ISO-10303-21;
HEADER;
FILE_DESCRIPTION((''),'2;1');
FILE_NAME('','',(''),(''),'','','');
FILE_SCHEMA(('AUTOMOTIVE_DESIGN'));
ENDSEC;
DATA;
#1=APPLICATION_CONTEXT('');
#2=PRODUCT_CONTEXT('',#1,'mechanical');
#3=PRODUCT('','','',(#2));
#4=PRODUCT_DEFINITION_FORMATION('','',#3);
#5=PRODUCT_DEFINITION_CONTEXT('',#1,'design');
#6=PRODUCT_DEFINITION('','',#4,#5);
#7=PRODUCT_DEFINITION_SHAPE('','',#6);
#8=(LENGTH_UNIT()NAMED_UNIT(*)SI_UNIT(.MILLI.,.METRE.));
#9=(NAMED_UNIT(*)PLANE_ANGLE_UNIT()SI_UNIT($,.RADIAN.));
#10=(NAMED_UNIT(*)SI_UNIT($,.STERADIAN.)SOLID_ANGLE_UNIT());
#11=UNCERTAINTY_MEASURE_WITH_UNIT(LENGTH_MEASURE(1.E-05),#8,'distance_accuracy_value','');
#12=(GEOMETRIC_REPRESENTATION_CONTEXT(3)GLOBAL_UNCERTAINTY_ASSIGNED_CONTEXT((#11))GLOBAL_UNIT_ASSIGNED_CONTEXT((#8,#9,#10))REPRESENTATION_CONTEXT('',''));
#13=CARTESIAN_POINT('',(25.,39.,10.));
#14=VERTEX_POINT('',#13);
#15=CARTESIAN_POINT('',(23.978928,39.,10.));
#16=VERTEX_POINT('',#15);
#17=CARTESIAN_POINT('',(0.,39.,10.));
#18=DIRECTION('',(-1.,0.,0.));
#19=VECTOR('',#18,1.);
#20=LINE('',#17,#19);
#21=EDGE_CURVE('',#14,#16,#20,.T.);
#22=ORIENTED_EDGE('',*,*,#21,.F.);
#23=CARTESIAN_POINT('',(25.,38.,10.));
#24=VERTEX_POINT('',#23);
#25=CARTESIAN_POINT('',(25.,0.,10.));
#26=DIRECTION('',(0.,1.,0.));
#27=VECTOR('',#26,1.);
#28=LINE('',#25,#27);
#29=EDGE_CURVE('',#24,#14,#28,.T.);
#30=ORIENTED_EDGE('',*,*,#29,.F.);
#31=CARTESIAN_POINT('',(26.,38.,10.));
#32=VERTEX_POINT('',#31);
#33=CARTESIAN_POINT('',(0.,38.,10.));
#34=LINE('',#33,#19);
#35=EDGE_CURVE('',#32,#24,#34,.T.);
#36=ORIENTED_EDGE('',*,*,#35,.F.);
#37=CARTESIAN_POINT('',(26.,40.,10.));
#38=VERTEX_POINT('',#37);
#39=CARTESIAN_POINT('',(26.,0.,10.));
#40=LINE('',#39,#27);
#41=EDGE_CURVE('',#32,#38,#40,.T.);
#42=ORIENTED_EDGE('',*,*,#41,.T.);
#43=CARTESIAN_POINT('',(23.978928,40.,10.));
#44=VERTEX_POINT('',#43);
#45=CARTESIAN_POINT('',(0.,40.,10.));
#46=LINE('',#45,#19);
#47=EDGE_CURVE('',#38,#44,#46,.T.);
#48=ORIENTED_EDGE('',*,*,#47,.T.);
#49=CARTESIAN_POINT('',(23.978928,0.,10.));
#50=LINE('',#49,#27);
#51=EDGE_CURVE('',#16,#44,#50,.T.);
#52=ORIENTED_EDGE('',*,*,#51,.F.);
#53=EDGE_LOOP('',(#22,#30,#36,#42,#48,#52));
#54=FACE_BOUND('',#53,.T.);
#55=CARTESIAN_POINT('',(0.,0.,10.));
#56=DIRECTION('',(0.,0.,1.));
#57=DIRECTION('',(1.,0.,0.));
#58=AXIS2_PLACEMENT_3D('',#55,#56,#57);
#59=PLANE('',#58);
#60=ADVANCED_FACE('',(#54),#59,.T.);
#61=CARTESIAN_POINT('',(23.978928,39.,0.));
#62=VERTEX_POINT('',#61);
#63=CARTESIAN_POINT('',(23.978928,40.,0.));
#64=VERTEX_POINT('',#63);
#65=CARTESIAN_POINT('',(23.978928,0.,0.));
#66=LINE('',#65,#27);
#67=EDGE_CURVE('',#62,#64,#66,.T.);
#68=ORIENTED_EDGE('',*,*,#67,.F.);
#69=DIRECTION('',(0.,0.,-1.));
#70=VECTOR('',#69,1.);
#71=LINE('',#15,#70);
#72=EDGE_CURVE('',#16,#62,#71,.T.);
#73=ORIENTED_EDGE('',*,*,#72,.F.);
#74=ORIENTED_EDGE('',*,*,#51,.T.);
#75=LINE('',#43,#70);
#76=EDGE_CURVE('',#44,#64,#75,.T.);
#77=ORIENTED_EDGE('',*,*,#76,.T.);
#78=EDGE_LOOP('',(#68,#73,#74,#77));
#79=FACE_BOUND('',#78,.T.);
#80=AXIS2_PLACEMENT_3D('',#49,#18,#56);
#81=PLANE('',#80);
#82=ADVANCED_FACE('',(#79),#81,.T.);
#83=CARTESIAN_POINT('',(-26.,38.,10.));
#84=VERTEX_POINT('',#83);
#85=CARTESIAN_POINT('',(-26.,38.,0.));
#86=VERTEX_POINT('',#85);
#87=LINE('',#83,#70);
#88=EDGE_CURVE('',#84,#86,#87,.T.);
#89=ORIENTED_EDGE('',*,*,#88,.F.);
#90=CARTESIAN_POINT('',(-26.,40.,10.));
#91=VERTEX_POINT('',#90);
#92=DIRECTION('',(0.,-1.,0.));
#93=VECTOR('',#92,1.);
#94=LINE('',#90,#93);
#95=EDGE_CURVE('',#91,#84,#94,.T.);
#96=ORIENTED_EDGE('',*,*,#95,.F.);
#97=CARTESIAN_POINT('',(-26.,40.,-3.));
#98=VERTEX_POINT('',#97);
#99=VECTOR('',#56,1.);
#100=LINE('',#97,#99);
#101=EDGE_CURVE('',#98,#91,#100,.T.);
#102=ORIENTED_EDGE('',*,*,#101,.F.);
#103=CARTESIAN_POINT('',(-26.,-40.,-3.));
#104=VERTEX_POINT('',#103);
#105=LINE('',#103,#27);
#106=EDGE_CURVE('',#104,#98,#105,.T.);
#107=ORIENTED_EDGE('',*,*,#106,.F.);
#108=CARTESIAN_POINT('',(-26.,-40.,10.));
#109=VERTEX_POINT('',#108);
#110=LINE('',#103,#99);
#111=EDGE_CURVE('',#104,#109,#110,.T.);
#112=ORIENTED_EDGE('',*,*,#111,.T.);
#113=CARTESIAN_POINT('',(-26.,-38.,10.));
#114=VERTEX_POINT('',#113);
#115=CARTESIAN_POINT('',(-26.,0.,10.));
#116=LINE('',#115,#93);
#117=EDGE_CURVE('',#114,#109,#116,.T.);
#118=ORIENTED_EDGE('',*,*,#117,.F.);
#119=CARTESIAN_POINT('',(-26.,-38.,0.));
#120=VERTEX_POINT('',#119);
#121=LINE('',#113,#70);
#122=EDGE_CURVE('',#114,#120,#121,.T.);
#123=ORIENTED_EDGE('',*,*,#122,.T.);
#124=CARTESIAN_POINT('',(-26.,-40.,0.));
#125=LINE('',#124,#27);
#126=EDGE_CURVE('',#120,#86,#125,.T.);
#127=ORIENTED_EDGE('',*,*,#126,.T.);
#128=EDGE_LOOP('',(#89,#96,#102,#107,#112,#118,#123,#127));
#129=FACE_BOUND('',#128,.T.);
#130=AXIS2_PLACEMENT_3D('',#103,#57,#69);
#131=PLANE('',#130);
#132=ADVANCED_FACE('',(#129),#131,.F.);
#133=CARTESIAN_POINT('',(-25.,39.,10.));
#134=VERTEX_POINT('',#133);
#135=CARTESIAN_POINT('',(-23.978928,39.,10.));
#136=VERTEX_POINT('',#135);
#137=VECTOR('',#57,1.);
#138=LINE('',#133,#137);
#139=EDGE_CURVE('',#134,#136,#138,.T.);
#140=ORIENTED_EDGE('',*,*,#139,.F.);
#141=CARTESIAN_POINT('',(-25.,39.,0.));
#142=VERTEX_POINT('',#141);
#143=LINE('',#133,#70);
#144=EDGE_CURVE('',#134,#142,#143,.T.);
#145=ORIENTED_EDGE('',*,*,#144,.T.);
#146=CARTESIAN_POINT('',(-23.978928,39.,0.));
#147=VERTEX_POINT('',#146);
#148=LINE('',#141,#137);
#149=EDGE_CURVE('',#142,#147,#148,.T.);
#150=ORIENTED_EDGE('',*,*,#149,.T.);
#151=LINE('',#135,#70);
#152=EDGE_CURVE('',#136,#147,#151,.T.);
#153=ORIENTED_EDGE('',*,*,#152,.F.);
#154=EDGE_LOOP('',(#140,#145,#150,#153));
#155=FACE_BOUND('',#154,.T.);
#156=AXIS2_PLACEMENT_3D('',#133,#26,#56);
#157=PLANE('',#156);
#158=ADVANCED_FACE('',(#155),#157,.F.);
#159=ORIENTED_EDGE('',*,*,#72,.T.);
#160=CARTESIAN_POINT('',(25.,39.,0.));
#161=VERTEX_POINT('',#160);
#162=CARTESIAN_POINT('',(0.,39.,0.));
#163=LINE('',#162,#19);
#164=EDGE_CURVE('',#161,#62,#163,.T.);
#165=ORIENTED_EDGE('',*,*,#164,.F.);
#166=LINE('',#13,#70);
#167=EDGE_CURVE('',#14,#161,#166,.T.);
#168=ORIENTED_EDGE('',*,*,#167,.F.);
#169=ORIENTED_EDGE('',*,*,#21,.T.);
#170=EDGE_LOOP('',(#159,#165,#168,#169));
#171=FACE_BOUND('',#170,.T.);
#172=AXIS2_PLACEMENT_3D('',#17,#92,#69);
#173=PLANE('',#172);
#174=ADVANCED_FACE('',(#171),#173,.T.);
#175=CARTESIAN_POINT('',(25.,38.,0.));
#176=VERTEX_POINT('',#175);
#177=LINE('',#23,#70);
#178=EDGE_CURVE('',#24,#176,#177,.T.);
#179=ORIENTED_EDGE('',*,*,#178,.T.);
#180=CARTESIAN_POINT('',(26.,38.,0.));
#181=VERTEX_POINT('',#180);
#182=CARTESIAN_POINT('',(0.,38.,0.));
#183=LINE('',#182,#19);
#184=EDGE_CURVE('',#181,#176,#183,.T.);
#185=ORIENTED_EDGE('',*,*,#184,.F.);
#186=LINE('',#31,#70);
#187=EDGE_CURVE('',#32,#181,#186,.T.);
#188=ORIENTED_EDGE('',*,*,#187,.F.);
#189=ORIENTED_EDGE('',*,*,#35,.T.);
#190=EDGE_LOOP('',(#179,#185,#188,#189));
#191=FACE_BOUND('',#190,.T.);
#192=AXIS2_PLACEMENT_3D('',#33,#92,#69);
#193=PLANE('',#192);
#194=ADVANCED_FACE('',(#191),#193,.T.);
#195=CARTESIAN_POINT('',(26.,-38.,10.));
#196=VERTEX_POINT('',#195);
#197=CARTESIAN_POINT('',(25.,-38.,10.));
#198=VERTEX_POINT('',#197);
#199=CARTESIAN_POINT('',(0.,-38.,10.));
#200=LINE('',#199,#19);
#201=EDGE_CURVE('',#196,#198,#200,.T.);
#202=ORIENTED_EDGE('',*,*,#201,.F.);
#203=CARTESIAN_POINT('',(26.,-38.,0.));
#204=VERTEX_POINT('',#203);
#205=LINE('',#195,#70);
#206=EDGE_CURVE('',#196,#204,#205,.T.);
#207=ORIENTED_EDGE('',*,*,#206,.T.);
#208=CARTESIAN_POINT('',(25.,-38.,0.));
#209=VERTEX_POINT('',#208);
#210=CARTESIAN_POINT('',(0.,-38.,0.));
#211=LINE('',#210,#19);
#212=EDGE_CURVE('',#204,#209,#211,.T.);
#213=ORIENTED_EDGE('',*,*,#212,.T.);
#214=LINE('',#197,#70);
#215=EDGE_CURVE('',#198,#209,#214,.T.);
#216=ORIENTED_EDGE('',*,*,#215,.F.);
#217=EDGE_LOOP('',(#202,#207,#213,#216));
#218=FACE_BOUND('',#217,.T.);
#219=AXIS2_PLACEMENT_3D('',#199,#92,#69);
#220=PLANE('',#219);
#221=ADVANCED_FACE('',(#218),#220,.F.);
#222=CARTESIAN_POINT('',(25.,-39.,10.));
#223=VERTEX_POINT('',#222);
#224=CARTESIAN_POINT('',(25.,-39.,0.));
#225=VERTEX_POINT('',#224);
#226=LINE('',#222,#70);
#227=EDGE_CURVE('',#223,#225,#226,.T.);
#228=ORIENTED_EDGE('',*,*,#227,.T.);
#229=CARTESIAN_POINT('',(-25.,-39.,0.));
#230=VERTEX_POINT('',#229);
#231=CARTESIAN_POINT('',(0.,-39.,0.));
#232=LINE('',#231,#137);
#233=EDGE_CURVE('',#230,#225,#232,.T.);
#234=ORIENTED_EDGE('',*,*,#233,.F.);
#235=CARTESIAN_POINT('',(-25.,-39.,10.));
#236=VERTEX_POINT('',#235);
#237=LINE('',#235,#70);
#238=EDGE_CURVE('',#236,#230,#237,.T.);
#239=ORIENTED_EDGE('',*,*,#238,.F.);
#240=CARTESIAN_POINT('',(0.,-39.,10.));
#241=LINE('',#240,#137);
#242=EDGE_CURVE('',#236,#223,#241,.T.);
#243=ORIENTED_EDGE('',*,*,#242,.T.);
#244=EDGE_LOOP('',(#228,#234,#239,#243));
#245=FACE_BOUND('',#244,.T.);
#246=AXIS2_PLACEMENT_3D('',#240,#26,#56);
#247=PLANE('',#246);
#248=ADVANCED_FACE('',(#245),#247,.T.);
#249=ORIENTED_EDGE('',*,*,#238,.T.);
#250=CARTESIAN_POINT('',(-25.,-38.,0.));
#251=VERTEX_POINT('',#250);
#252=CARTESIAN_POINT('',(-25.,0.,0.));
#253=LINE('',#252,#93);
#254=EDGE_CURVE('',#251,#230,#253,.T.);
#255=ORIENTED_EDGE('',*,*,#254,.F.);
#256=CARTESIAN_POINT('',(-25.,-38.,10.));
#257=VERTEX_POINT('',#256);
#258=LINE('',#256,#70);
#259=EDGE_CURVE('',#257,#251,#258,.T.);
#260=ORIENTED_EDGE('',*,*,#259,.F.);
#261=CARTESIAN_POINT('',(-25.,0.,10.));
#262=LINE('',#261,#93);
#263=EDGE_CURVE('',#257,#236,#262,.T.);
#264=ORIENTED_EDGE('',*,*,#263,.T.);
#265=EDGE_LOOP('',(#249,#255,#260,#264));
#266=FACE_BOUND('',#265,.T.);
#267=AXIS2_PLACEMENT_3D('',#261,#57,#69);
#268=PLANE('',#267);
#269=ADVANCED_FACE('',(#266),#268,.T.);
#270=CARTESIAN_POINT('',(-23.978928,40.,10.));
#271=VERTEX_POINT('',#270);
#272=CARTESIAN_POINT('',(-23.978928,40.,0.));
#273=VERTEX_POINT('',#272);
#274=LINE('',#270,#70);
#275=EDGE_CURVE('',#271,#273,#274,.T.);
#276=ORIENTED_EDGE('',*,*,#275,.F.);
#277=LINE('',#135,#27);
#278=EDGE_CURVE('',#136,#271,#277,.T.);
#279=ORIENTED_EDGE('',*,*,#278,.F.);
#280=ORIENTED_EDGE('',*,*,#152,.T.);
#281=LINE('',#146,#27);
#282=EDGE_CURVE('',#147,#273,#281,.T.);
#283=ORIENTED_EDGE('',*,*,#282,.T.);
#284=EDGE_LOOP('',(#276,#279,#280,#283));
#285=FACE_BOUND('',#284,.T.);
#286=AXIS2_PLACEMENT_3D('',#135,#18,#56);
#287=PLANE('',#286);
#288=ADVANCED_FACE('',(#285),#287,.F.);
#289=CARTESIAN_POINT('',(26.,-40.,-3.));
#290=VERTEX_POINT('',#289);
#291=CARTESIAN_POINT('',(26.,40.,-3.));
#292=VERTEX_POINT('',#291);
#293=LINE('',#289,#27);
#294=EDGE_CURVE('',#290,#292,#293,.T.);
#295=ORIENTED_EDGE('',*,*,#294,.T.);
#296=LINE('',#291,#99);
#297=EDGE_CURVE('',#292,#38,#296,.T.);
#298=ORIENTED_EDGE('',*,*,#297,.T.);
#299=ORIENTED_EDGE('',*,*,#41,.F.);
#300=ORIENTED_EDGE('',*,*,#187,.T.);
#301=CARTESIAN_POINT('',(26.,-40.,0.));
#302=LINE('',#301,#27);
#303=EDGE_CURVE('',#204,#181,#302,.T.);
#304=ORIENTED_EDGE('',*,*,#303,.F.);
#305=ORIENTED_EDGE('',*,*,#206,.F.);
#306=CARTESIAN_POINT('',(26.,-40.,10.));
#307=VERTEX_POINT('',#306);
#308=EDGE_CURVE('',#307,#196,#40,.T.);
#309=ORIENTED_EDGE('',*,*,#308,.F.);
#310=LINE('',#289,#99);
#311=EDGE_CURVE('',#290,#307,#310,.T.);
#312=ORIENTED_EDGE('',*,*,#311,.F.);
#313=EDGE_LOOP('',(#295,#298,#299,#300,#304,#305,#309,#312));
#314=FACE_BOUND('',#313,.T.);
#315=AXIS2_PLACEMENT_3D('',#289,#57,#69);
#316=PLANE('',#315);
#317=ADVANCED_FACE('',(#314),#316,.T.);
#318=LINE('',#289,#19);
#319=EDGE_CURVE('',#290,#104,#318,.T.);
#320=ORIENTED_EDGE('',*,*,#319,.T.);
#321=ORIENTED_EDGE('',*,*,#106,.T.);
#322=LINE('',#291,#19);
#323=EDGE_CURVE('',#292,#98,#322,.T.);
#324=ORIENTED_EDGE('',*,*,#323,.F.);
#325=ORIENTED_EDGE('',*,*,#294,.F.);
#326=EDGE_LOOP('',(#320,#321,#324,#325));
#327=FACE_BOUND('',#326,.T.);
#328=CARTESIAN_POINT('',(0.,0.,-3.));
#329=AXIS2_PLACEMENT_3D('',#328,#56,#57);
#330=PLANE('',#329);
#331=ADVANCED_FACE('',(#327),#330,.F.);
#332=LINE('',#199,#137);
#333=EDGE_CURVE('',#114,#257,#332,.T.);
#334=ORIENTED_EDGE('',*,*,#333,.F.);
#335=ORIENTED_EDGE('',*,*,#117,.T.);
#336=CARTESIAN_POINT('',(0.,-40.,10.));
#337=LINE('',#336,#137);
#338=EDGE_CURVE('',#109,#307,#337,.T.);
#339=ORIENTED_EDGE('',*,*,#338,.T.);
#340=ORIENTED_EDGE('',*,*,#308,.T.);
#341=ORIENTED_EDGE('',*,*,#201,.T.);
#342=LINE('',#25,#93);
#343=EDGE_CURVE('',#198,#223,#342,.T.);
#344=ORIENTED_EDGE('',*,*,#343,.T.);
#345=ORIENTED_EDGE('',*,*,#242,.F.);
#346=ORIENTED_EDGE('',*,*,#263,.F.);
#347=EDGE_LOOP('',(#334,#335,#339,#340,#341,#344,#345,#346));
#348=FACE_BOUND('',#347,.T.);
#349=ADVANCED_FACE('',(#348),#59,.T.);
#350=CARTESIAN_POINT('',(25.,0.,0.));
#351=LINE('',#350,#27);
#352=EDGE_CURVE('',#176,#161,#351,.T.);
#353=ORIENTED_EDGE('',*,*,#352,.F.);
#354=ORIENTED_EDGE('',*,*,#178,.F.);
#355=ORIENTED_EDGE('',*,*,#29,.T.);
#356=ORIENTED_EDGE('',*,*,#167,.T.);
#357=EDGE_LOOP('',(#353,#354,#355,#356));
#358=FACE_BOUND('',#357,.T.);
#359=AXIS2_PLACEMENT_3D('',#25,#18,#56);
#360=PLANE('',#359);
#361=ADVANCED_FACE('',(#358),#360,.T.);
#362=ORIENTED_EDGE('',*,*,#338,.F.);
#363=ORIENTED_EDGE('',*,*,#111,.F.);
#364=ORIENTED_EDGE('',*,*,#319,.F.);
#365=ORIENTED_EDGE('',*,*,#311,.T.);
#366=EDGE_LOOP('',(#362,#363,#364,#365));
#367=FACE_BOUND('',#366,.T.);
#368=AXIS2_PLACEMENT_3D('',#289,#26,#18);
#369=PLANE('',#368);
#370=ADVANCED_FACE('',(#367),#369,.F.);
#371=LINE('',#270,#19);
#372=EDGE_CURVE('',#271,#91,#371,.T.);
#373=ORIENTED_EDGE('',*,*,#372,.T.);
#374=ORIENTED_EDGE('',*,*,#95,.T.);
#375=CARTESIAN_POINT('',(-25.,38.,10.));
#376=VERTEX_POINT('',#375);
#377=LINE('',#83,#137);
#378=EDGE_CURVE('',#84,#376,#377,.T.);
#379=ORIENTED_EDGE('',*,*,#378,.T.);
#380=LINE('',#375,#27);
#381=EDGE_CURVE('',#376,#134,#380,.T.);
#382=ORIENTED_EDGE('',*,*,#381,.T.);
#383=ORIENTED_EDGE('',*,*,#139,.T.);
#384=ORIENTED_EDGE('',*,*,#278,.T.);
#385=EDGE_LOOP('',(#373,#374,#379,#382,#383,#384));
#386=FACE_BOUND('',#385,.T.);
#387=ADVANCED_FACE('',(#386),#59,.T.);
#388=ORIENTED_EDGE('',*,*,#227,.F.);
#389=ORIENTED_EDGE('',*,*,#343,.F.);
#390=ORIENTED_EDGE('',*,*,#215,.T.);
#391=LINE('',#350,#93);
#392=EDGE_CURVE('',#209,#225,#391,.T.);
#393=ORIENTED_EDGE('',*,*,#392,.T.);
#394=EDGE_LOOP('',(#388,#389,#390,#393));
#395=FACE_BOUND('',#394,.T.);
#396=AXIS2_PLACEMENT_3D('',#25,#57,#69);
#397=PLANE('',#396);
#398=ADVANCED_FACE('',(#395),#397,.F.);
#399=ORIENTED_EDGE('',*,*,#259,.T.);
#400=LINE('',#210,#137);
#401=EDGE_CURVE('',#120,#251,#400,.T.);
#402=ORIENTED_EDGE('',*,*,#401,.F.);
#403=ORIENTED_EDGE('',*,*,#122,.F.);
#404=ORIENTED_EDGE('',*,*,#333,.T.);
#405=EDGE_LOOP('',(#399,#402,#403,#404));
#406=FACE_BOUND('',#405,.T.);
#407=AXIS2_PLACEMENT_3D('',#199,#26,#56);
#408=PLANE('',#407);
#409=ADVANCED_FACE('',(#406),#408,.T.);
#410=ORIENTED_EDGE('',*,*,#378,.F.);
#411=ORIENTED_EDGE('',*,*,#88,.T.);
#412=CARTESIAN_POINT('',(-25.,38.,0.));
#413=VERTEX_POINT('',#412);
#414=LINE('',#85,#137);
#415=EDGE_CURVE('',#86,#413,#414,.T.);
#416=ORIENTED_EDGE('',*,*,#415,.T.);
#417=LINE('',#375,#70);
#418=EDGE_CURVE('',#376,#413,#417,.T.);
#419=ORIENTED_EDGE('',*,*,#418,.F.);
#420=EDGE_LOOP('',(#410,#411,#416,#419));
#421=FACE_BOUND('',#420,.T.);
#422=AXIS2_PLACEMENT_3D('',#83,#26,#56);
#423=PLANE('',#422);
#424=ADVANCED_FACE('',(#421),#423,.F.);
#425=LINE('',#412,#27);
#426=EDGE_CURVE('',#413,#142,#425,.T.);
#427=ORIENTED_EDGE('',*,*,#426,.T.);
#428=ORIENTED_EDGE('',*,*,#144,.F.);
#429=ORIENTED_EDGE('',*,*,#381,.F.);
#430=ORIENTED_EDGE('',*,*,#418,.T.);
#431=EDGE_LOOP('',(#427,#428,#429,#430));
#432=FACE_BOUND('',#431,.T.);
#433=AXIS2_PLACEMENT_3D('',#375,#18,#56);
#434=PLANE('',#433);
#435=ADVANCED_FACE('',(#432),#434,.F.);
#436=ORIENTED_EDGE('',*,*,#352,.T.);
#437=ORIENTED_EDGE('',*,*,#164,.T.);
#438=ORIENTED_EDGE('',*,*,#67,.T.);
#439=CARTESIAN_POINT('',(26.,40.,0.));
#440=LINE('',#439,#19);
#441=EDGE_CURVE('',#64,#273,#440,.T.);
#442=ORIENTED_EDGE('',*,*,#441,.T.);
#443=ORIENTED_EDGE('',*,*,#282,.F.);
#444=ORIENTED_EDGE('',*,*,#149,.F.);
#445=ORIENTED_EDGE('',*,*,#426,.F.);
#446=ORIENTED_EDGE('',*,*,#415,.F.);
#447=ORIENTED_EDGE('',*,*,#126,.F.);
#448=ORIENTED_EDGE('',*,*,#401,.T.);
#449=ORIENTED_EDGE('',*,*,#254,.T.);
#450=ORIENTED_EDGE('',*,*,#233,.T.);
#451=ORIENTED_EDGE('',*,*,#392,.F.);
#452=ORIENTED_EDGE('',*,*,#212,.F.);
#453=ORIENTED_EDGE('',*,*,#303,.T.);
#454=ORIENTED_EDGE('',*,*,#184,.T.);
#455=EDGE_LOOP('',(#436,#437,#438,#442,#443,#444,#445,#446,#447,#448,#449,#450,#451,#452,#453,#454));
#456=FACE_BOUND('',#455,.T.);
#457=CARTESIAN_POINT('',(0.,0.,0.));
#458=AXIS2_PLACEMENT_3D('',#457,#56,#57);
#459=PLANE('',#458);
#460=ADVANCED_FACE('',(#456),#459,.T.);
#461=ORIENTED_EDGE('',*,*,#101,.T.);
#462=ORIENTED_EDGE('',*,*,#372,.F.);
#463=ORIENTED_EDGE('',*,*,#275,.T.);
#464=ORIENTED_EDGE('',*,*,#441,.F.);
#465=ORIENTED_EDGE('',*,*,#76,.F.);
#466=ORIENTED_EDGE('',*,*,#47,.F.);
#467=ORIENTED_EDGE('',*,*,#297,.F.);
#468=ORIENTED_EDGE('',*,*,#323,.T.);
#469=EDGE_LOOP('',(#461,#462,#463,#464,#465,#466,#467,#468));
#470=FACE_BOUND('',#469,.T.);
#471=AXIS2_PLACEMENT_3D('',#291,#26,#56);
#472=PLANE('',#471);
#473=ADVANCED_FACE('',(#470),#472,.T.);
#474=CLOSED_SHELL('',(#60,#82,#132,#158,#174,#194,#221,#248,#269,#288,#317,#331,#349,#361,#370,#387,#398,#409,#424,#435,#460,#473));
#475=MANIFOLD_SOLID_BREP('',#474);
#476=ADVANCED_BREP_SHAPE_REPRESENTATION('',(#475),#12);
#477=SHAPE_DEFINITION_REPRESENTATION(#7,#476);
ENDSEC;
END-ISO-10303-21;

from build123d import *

# Parameters (mm, degrees)
SKETCH_4_W      = 52
SKETCH_4_H      = 80
EXTRUDE_3_DEPTH = 3
EXTRUDE_6_DEPTH = 10
EXTRUDE_7_REACH = 51.979
SKETCH_7_W      = 10
SKETCH_7_H      = 1


with BuildPart() as part:
    # 草图4 → 凸台-拉伸3 (new body)
    with BuildSketch(Plane.XY):
        Rectangle(SKETCH_4_W, SKETCH_4_H)
    extrude(amount=-EXTRUDE_3_DEPTH)

    # 草图6 → 凸台-拉伸6 (add)
    with BuildSketch(Plane.XY):
        Polygon((26, 40), (23.978927851, 40), (23.978927851, 39), (25, 39), (25, 38), (26, 38), align=None)
        Polygon((-25, -38), (-26, -38), (-26, -40), (-23.978927851, -40), (-23.978927851, -39), (-25, -39), align=None)
        Polygon((23.978927851, -39), (23.978927851, -40), (26, -40), (26, -38), (25, -38), (25, -39), align=None)
        Polygon((-26, 40), (-26, 38), (-25, 38), (-25, 39), (-23.978927851, 39), (-23.978927851, 40), align=None)
    extrude(amount=EXTRUDE_6_DEPTH)

    # 草图7 → 凸台-拉伸7 (add, up to next)
    with BuildSketch(Plane(origin=(-23.978927851, 0, 0), x_dir=(0, 0, -1), z_dir=(1, 0, 0)), mode=Mode.PRIVATE) as extrude_7_sk1:
        with Locations((-5, -39.5)):
            Rectangle(SKETCH_7_W, SKETCH_7_H)
    extrude_7_tool1 = extrude(extrude_7_sk1.sketch, amount=EXTRUDE_7_REACH, mode=Mode.PRIVATE) - part.part
    add(extrude_7_tool1.solids().sort_by_distance((-23.978928, -39.5, 5))[0])


solid = part.part
